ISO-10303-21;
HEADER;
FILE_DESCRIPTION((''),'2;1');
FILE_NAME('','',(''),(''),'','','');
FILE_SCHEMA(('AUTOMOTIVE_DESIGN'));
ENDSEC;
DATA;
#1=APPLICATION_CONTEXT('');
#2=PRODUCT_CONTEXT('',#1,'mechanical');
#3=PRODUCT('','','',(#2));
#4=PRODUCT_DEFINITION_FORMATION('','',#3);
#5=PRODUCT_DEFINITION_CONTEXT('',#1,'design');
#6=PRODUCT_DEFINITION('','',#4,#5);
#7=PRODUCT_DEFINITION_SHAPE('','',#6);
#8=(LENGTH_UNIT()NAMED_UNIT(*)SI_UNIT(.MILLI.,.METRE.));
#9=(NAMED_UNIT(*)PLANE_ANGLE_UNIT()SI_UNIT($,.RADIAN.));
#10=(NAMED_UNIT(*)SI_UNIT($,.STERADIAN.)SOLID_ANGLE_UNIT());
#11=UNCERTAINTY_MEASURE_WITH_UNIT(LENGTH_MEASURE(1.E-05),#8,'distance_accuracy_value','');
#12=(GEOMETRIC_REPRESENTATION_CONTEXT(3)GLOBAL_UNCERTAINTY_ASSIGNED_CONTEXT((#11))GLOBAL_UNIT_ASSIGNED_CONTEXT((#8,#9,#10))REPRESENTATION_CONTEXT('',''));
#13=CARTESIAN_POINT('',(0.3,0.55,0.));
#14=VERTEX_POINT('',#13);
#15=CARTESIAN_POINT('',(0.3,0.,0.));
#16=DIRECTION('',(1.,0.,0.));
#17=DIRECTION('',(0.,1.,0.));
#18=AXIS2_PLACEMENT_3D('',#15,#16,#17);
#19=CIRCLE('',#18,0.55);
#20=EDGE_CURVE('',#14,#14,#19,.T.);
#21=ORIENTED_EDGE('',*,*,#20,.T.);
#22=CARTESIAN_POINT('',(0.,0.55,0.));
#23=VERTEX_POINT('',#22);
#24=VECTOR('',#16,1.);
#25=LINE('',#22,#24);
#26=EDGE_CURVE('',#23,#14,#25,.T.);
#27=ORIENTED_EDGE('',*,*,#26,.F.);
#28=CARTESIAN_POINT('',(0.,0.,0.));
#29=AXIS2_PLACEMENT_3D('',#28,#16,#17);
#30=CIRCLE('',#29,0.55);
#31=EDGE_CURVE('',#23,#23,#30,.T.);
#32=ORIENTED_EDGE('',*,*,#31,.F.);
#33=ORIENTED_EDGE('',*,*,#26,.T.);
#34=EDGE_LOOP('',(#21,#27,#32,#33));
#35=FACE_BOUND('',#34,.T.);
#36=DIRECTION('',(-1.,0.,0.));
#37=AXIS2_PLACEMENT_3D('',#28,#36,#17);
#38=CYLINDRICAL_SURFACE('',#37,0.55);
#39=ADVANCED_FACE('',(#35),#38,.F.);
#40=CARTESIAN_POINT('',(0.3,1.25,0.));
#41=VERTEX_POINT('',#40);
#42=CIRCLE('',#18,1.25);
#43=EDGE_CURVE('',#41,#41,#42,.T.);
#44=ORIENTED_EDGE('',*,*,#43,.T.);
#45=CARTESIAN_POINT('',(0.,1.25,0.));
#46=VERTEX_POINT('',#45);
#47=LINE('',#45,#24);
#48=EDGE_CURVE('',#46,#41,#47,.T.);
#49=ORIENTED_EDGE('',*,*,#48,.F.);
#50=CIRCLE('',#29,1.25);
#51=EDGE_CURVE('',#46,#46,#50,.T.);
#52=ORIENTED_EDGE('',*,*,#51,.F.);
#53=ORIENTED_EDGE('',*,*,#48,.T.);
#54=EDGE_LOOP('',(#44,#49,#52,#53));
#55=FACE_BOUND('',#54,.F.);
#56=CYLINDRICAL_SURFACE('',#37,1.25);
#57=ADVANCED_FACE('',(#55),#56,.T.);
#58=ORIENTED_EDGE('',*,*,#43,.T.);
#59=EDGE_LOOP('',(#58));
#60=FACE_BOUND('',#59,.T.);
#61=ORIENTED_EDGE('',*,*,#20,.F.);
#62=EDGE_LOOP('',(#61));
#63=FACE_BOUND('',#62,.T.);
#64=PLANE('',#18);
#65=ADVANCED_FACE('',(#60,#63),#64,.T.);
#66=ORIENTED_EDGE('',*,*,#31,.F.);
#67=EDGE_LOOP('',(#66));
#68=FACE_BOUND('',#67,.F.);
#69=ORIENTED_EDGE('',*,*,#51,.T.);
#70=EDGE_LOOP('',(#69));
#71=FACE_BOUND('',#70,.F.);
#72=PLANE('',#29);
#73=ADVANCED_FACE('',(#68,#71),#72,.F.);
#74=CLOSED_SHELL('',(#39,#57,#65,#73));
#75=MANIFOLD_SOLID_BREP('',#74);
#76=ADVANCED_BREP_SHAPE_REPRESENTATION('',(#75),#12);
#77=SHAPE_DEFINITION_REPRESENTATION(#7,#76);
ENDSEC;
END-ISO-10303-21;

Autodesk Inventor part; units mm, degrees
ref_plane "YZ Plane" through (0, 0, 0) normal (1, 0, 0) x (0, 1, 0)
ref_plane "XZ Plane" through (0, 0, 0) normal (0, 1, 0) x (-1, 0, 0)
sketch "Sketch" plane through (0, 0, 0) normal (1, 0, 0) x (0, 1, 0)
  circle A0 centre (0, 0) radius 1.25
  circle A1 centre (0, 0) radius 0.55
  dimension "d0" = 1.1
  dimension "d1" = 2.5
extrude "Body" add sketch "Sketch" along normal blind 0.3
ref_plane "Work Plane1" through (0, 0, 0) normal (0, 0, 1) x (1, 0, 0)
equation "\"d0\" = SD1"
equation "\"d1\" = SD2"
equation "\"d2\" = SD"
equation "\"SD1\" = 1.1"
equation "\"SD2\" = 2.5"
equation "\"SD\" = 0.3"
equation "\"NND\" = 1"
properties part number "AS 1237 - 1" material "Steel, Mild"
